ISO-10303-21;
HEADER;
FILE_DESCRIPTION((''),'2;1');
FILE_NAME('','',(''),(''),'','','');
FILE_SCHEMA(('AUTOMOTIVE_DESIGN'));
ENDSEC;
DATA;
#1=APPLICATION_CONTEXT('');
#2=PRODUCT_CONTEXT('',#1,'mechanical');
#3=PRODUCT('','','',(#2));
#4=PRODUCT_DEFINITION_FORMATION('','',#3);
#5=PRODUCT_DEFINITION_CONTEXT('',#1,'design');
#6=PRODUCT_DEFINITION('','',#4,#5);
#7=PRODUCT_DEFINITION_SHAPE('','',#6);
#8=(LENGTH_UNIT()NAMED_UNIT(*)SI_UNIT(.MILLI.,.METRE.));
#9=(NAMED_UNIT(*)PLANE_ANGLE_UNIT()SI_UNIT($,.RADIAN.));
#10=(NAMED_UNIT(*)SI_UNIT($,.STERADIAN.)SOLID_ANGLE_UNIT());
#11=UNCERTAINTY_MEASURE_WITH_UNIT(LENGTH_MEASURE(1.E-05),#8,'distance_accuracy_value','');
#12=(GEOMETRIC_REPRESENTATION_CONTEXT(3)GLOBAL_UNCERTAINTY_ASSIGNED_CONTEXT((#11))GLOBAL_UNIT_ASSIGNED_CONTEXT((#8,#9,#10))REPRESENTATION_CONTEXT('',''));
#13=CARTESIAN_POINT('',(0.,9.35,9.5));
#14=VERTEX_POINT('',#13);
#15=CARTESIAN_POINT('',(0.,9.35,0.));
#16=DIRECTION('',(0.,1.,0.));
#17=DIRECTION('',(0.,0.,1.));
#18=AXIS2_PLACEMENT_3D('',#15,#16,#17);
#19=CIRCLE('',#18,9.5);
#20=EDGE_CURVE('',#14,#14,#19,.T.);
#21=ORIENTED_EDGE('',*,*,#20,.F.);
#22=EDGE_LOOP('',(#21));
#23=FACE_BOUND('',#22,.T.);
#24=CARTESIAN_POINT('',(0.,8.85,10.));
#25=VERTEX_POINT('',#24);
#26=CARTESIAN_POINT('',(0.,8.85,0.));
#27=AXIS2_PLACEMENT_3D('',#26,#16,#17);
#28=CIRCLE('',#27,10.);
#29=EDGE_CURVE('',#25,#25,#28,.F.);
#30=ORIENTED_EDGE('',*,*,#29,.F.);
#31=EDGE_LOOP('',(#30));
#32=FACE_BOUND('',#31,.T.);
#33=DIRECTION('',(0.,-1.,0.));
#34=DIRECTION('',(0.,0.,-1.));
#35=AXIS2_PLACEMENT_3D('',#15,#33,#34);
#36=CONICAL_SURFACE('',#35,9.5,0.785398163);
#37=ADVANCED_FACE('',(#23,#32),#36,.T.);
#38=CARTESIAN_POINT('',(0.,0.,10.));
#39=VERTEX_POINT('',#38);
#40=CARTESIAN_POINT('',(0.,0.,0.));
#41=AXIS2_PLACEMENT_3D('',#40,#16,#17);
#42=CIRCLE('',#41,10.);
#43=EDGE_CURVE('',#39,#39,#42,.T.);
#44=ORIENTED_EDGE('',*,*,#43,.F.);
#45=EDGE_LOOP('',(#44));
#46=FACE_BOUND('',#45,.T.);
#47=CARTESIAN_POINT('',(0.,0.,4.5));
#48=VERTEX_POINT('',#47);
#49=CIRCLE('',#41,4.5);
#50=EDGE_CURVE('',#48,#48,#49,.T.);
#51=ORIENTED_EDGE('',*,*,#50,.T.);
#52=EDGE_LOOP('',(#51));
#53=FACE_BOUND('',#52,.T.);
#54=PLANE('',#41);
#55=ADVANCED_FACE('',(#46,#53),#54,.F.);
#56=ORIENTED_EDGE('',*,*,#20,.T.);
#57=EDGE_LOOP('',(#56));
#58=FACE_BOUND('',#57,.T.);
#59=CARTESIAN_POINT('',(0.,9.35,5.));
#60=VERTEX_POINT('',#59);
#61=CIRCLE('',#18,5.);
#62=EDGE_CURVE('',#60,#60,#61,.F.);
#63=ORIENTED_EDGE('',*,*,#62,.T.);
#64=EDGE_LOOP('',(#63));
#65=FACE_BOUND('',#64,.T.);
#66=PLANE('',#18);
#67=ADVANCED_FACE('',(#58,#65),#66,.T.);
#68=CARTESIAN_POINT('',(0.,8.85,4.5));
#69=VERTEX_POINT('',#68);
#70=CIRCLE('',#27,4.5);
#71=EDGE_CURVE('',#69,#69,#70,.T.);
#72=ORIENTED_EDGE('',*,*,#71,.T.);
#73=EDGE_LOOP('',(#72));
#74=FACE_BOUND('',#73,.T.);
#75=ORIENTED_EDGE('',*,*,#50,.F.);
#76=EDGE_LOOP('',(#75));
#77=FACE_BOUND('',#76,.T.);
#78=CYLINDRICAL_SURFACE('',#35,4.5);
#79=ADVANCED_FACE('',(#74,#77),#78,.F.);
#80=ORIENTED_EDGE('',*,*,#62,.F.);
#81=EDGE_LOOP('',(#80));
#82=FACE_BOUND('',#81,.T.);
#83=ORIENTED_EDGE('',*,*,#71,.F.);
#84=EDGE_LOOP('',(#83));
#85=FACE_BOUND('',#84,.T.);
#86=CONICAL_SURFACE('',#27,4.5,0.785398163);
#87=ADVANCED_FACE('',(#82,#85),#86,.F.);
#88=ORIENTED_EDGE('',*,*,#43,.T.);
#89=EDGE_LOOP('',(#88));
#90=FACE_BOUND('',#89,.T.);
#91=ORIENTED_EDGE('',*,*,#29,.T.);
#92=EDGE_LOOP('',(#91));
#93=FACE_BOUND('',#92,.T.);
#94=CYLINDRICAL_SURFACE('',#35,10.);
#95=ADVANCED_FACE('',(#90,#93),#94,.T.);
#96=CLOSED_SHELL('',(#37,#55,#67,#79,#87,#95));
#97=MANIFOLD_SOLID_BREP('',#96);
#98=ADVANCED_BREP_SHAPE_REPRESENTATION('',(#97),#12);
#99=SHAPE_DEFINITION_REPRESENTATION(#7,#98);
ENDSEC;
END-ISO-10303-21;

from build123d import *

# Parameters (mm, degrees)
SKETCH1_R     = 10
SKETCH1_R_2   = 4.5
BODY_DEPTH    = 9.35
CHAMFER1_SIZE = 0.5


with BuildPart() as part:
    # Sketch1 → Body (new body)
    with BuildSketch(Plane(origin=(0, 0, 0), x_dir=(1, 0, 0), z_dir=(0, 1, 0))):
        with Locations(Location((0, 0, 0), (0, 0, 270))):
            Circle(SKETCH1_R)
        with Locations(Location((0, 0, 0), (0, 0, 270))):
            Circle(SKETCH1_R_2, mode=Mode.SUBTRACT)
    extrude(amount=BODY_DEPTH)

    # Chamfer1
    chamfer1_edges = [part.edges().sort_by_distance(p)[0] for p in [
        (0, 9.35, -10),
        (0, 9.35, -4.5),
    ]]
    chamfer(chamfer1_edges, length=CHAMFER1_SIZE)


solid = part.part
